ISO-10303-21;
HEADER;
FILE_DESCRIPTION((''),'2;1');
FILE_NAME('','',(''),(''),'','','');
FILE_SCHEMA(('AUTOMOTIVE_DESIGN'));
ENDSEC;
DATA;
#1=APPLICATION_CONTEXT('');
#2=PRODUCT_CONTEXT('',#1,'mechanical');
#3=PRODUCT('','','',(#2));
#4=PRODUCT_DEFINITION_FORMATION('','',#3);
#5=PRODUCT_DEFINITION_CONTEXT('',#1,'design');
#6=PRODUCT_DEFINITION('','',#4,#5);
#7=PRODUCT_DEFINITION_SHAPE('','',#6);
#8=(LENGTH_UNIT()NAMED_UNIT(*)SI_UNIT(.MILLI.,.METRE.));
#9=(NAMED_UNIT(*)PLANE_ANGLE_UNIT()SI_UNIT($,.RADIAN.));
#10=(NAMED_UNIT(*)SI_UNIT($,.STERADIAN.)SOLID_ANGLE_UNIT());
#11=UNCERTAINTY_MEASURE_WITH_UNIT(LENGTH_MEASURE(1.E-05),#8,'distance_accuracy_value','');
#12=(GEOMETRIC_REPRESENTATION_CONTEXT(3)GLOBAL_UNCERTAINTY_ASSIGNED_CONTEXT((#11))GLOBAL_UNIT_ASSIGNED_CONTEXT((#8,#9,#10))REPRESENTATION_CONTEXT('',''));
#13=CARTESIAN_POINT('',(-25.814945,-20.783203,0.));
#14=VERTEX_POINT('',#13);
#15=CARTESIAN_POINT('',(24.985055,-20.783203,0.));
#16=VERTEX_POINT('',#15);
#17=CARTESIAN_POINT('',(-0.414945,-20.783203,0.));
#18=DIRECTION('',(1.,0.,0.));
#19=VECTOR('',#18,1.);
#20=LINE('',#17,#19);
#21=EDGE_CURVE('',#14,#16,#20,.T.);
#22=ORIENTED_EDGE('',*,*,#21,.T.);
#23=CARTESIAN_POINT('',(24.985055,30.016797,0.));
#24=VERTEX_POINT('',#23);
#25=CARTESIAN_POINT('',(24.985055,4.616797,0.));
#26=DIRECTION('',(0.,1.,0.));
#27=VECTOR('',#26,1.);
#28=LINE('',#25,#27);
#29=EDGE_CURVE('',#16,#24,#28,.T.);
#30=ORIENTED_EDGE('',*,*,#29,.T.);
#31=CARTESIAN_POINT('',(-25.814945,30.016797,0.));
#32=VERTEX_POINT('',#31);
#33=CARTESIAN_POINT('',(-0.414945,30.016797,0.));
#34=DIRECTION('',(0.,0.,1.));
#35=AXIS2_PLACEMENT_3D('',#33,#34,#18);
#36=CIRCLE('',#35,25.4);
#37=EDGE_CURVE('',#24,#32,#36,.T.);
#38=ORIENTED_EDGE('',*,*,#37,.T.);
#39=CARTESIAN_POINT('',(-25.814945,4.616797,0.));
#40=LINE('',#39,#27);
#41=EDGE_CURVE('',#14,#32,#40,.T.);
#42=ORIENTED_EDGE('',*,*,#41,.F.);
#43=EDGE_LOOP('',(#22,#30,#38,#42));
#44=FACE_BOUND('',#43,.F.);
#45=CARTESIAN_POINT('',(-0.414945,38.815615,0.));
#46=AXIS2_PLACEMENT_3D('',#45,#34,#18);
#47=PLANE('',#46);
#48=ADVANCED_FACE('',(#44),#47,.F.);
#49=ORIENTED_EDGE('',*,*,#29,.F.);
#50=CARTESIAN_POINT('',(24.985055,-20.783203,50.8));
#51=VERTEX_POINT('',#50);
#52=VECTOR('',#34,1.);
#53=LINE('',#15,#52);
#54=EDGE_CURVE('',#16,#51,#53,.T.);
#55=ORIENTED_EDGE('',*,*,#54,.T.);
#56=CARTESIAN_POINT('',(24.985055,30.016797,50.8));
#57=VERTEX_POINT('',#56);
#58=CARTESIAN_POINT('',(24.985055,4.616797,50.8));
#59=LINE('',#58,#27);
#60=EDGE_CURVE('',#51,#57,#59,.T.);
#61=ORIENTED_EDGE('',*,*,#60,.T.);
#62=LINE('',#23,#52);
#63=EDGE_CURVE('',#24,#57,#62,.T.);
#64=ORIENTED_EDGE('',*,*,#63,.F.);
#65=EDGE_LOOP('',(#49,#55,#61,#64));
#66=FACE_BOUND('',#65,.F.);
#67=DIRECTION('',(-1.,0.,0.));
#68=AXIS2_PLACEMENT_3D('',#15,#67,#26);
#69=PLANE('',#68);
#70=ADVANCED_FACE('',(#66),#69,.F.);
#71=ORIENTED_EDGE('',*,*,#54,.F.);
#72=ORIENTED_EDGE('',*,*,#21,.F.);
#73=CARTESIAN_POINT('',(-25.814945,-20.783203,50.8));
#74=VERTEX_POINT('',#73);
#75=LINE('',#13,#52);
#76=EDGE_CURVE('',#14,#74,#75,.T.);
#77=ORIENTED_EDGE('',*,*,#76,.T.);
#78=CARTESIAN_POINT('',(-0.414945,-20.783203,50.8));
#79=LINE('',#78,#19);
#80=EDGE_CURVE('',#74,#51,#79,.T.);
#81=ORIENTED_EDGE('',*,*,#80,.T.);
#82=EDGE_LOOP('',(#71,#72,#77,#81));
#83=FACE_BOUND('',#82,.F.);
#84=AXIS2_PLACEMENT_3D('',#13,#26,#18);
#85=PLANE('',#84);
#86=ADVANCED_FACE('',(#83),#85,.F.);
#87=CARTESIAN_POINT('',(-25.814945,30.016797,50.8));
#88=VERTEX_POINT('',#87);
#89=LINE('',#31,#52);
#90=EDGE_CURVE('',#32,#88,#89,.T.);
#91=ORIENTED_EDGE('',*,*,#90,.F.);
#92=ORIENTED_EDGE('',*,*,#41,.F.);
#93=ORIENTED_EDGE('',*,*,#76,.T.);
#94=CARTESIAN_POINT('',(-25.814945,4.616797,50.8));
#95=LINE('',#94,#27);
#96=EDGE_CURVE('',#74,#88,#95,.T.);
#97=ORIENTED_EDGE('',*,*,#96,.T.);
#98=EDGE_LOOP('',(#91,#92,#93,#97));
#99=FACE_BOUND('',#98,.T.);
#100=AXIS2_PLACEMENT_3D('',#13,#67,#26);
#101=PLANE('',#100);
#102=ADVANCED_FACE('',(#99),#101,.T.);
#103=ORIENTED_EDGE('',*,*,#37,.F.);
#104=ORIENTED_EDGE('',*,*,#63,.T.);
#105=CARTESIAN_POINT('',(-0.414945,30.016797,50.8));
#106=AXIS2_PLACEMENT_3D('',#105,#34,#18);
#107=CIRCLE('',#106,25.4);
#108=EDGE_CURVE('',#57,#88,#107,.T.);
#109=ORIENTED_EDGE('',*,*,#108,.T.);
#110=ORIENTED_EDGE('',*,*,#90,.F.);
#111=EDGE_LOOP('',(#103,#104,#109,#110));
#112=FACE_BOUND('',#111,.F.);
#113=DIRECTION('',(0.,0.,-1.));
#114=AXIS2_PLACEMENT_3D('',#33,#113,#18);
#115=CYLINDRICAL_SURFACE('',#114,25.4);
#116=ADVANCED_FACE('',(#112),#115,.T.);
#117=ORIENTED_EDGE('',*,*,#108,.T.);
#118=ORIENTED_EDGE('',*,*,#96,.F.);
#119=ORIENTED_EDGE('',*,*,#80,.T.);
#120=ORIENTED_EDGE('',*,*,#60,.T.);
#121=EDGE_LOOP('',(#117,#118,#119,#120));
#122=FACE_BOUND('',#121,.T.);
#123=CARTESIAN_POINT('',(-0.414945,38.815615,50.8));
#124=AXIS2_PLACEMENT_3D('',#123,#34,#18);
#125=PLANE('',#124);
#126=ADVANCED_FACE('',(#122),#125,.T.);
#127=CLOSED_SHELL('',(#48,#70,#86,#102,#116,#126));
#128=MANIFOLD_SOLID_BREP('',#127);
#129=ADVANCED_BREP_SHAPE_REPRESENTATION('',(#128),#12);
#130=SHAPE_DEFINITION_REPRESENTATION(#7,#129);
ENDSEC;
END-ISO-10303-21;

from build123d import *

# Parameters (mm, degrees)
F0_W     = 50.8
F0_H     = 50.8
F1_DEPTH = 50.8
F2_DEPTH = 50.8


with BuildPart() as f1:
    # F0 (on Top) → F1 (new body)
    with BuildSketch(Plane.XY):
        with Locations((-0.414945, 4.616797)):
            Rectangle(F0_W, F0_H)
    extrude(amount=F1_DEPTH)

    # F0 (on Top) → F2 (join)
    with BuildSketch(Plane.XY):
        with BuildLine():
            ThreePointArc((24.985055, 30.016797), (-0.414945, 55.416797), (-25.814945, 30.016797))
            Line((-25.814945, 30.016797), (24.985055, 30.016797))
        make_face()
    extrude(amount=F2_DEPTH)


solid = f1.part
